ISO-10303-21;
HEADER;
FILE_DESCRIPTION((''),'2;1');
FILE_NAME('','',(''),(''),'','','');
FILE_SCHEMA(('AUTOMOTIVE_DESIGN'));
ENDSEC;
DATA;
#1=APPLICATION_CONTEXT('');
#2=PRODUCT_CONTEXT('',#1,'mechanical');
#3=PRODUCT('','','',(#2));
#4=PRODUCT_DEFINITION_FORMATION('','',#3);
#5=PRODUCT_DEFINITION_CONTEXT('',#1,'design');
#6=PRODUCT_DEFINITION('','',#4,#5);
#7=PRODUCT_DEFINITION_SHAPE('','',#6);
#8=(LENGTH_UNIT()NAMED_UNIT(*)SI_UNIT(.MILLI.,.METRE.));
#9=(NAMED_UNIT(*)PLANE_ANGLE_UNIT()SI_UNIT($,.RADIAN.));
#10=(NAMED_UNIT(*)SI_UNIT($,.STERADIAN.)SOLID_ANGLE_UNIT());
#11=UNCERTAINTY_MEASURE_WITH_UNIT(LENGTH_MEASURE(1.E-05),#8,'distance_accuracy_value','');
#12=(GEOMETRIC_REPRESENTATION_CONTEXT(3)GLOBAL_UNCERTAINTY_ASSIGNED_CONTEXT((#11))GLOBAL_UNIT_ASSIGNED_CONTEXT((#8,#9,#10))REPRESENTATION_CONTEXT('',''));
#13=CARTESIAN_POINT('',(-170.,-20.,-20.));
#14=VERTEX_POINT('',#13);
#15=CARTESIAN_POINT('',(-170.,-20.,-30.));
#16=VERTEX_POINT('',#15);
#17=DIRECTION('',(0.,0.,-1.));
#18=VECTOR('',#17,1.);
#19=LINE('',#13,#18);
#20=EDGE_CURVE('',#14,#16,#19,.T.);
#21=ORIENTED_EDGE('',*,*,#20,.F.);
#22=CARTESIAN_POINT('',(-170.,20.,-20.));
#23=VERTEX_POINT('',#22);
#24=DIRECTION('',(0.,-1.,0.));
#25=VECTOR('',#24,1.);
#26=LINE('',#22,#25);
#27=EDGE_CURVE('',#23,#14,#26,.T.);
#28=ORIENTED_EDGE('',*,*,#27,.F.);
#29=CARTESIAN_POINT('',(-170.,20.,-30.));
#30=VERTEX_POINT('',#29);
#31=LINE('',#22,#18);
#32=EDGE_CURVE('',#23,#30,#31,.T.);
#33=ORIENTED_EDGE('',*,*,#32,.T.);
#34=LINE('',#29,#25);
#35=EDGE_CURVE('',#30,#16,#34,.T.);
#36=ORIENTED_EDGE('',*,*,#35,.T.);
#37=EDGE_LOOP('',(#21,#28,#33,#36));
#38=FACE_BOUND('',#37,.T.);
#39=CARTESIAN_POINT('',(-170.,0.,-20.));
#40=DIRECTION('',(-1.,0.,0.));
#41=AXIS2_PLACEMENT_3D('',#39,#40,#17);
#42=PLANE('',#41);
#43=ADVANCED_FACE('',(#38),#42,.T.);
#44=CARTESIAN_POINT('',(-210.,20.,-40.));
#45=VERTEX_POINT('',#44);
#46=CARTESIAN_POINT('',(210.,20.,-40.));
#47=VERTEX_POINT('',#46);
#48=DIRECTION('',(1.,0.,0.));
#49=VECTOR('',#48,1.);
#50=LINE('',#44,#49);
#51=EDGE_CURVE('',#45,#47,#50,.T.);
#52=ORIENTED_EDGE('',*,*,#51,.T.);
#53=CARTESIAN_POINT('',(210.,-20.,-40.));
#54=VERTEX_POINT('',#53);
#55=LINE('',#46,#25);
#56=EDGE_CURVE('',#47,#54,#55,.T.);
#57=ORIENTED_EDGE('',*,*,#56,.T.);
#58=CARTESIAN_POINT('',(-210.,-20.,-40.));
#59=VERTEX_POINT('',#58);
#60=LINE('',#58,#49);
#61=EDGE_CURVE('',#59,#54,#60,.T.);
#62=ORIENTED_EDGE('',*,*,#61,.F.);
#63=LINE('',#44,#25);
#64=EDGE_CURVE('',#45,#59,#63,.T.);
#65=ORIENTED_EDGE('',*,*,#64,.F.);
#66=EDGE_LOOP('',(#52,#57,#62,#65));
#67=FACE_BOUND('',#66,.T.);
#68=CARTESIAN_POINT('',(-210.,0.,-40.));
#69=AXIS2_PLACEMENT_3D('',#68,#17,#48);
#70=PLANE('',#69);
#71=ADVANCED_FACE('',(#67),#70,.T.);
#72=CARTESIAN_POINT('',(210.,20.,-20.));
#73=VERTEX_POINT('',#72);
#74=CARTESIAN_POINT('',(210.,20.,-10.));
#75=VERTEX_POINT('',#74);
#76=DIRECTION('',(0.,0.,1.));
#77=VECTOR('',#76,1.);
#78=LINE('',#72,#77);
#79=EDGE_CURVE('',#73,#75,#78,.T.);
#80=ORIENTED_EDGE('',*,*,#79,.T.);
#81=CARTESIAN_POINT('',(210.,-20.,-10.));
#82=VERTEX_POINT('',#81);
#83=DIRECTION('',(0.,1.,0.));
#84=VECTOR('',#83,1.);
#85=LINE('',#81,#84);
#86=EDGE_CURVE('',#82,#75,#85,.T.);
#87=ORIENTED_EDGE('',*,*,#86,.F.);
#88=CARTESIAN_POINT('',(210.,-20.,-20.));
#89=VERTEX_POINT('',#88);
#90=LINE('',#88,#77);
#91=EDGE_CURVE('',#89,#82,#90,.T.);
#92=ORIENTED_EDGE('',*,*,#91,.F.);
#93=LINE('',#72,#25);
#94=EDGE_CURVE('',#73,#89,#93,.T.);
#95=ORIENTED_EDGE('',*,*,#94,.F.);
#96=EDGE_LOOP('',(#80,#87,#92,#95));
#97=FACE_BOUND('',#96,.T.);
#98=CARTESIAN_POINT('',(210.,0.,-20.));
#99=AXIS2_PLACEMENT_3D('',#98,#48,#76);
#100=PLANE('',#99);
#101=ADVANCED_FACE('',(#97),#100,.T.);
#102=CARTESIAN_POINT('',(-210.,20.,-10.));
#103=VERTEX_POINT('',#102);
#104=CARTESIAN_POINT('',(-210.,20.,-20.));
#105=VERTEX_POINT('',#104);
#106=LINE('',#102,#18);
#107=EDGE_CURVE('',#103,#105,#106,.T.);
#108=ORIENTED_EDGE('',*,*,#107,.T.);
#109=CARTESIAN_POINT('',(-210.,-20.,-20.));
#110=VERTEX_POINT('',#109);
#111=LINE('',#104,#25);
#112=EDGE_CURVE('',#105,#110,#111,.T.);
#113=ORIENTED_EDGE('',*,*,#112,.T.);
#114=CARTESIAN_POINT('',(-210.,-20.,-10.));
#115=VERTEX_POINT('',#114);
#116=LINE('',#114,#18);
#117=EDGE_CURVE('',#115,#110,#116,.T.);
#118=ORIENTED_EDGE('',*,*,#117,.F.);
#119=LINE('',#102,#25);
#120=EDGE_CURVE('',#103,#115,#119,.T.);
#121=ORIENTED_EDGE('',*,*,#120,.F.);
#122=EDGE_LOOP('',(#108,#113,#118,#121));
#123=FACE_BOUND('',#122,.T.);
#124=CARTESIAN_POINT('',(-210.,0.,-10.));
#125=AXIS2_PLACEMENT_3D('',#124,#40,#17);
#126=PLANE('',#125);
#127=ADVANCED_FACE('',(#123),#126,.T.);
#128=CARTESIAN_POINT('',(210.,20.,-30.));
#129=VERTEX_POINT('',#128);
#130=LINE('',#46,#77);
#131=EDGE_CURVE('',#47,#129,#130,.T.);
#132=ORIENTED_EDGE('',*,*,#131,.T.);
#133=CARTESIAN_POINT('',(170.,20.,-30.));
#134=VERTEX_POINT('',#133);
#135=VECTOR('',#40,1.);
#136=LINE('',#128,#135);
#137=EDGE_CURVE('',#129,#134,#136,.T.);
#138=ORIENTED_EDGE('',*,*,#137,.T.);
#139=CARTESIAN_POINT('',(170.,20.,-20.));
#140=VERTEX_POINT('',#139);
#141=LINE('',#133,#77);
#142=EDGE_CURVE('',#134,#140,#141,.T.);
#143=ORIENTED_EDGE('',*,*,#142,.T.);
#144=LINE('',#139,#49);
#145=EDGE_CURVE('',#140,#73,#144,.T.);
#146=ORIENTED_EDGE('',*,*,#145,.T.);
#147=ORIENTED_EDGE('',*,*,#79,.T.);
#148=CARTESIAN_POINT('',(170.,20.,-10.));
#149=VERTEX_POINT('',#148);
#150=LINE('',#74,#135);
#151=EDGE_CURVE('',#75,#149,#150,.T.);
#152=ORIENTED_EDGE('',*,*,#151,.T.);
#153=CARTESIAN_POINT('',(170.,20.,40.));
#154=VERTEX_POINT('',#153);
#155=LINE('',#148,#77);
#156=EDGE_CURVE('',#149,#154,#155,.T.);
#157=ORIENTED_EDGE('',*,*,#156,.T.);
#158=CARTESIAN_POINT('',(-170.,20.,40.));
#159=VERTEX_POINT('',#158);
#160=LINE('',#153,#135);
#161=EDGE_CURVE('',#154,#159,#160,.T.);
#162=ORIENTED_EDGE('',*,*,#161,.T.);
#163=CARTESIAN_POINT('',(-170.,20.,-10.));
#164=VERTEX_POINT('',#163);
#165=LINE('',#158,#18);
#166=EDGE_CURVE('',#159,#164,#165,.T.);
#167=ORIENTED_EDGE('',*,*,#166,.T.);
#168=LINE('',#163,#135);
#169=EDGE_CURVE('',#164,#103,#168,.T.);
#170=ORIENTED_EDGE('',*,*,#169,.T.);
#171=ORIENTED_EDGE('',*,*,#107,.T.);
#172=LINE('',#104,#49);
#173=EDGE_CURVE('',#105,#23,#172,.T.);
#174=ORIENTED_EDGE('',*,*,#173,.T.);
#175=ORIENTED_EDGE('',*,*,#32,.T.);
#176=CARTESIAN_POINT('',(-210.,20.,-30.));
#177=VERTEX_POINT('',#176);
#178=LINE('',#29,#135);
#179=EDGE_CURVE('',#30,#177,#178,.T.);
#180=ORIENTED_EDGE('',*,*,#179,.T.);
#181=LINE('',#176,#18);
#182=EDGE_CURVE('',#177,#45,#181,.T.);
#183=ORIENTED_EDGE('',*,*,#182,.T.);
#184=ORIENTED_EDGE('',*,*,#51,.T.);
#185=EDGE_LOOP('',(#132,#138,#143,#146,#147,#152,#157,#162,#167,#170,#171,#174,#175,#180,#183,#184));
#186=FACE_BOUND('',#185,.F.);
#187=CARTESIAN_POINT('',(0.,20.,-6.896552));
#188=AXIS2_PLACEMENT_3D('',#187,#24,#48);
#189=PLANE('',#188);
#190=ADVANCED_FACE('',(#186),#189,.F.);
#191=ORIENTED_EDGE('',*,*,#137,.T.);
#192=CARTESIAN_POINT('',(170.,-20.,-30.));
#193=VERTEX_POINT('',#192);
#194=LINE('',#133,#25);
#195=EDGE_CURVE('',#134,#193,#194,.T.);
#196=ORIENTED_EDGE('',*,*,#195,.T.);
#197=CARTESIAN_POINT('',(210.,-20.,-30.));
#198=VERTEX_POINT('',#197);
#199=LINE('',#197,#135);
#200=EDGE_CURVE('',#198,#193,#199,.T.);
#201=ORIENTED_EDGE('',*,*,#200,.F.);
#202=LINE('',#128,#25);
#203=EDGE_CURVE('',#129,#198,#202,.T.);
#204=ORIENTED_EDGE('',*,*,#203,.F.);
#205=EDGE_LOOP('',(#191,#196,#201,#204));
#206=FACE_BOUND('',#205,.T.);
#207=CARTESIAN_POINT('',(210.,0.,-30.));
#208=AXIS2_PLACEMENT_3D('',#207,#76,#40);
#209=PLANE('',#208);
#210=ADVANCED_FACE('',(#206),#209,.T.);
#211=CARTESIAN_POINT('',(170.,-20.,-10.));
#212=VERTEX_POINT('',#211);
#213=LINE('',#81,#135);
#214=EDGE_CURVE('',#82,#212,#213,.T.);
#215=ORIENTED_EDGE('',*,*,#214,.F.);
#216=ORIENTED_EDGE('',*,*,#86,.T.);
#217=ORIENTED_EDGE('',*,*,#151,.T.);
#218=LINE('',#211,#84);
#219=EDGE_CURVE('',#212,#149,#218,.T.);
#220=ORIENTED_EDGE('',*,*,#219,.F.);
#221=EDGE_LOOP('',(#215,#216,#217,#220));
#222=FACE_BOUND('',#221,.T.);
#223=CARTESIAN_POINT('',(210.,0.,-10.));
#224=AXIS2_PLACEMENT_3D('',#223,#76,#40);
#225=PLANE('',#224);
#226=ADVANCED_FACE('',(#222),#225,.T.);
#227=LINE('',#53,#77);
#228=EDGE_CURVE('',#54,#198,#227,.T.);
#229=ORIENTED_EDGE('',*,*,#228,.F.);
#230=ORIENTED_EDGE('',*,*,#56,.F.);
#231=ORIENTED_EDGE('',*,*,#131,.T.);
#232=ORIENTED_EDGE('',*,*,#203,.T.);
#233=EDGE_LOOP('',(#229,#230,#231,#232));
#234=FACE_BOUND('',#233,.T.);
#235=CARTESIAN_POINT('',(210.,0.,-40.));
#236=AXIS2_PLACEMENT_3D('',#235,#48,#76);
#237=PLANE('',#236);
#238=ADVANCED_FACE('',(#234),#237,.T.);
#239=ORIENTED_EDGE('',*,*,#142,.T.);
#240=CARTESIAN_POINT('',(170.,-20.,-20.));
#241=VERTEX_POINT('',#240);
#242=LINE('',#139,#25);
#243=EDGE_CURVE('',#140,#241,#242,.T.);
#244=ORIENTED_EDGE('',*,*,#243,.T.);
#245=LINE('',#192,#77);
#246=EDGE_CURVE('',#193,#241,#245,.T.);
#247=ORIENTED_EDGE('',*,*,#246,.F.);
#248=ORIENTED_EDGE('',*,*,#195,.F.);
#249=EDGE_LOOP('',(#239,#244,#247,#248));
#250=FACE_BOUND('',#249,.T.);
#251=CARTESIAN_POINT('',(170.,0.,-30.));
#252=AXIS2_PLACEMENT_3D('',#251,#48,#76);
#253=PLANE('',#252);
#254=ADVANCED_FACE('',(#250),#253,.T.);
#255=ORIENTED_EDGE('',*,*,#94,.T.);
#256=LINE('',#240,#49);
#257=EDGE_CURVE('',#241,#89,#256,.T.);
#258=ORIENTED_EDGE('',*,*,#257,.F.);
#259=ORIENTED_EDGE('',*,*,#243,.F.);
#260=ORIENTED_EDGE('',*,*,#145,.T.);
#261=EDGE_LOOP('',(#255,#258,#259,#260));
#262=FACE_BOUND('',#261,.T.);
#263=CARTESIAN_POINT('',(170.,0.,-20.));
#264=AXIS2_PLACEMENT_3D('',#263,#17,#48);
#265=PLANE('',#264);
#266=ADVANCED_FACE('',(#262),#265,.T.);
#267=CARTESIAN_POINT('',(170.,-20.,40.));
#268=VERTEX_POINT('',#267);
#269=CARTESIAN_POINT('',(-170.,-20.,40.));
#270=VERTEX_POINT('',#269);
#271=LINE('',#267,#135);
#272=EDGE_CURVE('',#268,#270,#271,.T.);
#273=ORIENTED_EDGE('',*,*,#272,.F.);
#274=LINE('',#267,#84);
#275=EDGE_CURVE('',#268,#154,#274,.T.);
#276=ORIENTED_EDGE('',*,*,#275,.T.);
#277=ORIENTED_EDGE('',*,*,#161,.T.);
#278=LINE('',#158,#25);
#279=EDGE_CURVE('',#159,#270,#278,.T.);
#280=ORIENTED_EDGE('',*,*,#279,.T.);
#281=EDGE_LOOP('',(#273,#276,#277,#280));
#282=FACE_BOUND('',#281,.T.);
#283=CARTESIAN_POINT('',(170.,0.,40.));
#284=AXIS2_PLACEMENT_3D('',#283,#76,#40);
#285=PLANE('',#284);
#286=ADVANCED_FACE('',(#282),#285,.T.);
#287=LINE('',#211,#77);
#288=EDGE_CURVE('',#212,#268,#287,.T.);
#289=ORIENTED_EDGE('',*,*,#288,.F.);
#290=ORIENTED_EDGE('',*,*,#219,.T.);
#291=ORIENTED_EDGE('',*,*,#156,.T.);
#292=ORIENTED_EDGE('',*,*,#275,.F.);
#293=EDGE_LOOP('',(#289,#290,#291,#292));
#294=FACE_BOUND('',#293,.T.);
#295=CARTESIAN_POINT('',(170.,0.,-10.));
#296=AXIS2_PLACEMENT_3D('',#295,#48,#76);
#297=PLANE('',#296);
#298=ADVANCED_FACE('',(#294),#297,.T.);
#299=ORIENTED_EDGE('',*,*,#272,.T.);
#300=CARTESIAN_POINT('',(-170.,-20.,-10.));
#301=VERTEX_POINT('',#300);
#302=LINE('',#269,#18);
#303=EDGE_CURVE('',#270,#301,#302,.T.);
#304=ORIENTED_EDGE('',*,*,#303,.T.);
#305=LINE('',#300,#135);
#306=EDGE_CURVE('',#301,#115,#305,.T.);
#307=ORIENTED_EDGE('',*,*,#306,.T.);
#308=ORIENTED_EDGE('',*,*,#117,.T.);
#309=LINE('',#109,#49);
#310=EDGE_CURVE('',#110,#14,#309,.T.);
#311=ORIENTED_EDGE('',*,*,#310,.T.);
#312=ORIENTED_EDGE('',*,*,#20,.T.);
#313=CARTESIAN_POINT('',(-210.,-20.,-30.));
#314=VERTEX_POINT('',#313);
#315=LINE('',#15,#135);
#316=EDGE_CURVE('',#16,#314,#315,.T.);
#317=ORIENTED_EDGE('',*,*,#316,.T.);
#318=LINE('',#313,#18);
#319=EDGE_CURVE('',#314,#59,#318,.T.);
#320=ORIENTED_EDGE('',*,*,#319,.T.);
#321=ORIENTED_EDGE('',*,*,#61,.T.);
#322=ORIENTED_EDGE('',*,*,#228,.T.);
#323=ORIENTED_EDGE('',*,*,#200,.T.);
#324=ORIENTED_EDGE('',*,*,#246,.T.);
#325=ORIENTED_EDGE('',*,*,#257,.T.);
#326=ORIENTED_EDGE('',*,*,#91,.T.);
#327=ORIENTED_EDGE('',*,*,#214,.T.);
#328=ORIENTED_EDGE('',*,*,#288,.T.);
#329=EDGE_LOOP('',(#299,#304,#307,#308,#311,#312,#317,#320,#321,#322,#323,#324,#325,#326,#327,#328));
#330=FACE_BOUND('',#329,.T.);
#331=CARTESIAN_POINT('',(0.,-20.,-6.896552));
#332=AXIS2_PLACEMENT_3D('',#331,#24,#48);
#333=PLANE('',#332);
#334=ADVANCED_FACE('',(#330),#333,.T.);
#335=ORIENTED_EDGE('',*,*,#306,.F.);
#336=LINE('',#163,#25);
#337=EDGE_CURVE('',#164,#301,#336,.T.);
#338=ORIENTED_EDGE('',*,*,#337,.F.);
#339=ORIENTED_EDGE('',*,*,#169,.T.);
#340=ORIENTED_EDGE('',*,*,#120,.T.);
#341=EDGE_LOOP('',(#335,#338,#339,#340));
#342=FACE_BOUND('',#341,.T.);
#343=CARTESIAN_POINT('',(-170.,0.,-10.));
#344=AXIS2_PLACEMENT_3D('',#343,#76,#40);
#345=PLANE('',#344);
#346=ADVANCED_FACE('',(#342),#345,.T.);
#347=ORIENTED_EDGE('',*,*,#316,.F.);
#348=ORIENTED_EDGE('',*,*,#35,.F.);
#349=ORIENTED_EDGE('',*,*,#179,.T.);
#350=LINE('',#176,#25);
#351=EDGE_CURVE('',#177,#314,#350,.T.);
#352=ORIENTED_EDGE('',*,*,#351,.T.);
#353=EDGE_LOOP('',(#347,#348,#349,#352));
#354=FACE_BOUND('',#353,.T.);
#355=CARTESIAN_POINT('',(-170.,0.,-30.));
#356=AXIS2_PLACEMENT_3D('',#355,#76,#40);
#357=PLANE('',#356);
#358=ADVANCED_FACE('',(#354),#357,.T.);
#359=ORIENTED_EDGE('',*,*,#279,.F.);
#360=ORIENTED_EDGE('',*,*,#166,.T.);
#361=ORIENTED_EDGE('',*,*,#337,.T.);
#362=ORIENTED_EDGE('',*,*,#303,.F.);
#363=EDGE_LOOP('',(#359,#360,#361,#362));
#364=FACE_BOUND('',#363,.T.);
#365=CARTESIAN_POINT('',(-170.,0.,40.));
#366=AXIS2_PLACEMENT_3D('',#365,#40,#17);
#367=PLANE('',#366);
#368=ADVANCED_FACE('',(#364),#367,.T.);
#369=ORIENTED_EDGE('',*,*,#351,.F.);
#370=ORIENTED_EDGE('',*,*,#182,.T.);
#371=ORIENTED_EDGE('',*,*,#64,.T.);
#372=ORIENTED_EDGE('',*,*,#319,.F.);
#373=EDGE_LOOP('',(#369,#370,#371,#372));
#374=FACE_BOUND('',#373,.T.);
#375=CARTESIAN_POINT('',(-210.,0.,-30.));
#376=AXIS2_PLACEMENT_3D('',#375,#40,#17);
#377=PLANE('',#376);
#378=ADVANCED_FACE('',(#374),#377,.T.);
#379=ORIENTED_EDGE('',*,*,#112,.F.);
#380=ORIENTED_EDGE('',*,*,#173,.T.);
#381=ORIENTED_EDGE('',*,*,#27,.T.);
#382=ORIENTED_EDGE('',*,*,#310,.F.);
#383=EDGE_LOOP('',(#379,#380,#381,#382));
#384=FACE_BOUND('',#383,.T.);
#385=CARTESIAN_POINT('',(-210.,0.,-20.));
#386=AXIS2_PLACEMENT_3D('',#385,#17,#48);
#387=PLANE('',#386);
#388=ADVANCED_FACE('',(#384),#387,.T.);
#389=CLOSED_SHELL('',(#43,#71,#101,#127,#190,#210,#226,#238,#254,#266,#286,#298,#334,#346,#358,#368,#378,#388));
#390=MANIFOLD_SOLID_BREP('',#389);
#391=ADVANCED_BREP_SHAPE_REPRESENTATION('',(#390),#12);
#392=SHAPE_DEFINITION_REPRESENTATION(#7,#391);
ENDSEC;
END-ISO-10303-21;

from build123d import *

# Parameters (mm, degrees)
F1_DEPTH = 20


with BuildPart() as f1:
    # F0 (on Front) → F1 (new body, symmetric)
    with BuildSketch(Plane.XZ):
        Polygon((170, 40), (-170, 40), (-170, -10), (-210, -10), (-210, -20), (-170, -20), (-170, -30), (-210, -30), (-210, -40), (-170, -40), (170, -40), (210, -40), (210, -30), (170, -30), (170, -20), (210, -20), (210, -10), (170, -10), align=None)
    extrude(amount=F1_DEPTH, both=True)


solid = f1.part
